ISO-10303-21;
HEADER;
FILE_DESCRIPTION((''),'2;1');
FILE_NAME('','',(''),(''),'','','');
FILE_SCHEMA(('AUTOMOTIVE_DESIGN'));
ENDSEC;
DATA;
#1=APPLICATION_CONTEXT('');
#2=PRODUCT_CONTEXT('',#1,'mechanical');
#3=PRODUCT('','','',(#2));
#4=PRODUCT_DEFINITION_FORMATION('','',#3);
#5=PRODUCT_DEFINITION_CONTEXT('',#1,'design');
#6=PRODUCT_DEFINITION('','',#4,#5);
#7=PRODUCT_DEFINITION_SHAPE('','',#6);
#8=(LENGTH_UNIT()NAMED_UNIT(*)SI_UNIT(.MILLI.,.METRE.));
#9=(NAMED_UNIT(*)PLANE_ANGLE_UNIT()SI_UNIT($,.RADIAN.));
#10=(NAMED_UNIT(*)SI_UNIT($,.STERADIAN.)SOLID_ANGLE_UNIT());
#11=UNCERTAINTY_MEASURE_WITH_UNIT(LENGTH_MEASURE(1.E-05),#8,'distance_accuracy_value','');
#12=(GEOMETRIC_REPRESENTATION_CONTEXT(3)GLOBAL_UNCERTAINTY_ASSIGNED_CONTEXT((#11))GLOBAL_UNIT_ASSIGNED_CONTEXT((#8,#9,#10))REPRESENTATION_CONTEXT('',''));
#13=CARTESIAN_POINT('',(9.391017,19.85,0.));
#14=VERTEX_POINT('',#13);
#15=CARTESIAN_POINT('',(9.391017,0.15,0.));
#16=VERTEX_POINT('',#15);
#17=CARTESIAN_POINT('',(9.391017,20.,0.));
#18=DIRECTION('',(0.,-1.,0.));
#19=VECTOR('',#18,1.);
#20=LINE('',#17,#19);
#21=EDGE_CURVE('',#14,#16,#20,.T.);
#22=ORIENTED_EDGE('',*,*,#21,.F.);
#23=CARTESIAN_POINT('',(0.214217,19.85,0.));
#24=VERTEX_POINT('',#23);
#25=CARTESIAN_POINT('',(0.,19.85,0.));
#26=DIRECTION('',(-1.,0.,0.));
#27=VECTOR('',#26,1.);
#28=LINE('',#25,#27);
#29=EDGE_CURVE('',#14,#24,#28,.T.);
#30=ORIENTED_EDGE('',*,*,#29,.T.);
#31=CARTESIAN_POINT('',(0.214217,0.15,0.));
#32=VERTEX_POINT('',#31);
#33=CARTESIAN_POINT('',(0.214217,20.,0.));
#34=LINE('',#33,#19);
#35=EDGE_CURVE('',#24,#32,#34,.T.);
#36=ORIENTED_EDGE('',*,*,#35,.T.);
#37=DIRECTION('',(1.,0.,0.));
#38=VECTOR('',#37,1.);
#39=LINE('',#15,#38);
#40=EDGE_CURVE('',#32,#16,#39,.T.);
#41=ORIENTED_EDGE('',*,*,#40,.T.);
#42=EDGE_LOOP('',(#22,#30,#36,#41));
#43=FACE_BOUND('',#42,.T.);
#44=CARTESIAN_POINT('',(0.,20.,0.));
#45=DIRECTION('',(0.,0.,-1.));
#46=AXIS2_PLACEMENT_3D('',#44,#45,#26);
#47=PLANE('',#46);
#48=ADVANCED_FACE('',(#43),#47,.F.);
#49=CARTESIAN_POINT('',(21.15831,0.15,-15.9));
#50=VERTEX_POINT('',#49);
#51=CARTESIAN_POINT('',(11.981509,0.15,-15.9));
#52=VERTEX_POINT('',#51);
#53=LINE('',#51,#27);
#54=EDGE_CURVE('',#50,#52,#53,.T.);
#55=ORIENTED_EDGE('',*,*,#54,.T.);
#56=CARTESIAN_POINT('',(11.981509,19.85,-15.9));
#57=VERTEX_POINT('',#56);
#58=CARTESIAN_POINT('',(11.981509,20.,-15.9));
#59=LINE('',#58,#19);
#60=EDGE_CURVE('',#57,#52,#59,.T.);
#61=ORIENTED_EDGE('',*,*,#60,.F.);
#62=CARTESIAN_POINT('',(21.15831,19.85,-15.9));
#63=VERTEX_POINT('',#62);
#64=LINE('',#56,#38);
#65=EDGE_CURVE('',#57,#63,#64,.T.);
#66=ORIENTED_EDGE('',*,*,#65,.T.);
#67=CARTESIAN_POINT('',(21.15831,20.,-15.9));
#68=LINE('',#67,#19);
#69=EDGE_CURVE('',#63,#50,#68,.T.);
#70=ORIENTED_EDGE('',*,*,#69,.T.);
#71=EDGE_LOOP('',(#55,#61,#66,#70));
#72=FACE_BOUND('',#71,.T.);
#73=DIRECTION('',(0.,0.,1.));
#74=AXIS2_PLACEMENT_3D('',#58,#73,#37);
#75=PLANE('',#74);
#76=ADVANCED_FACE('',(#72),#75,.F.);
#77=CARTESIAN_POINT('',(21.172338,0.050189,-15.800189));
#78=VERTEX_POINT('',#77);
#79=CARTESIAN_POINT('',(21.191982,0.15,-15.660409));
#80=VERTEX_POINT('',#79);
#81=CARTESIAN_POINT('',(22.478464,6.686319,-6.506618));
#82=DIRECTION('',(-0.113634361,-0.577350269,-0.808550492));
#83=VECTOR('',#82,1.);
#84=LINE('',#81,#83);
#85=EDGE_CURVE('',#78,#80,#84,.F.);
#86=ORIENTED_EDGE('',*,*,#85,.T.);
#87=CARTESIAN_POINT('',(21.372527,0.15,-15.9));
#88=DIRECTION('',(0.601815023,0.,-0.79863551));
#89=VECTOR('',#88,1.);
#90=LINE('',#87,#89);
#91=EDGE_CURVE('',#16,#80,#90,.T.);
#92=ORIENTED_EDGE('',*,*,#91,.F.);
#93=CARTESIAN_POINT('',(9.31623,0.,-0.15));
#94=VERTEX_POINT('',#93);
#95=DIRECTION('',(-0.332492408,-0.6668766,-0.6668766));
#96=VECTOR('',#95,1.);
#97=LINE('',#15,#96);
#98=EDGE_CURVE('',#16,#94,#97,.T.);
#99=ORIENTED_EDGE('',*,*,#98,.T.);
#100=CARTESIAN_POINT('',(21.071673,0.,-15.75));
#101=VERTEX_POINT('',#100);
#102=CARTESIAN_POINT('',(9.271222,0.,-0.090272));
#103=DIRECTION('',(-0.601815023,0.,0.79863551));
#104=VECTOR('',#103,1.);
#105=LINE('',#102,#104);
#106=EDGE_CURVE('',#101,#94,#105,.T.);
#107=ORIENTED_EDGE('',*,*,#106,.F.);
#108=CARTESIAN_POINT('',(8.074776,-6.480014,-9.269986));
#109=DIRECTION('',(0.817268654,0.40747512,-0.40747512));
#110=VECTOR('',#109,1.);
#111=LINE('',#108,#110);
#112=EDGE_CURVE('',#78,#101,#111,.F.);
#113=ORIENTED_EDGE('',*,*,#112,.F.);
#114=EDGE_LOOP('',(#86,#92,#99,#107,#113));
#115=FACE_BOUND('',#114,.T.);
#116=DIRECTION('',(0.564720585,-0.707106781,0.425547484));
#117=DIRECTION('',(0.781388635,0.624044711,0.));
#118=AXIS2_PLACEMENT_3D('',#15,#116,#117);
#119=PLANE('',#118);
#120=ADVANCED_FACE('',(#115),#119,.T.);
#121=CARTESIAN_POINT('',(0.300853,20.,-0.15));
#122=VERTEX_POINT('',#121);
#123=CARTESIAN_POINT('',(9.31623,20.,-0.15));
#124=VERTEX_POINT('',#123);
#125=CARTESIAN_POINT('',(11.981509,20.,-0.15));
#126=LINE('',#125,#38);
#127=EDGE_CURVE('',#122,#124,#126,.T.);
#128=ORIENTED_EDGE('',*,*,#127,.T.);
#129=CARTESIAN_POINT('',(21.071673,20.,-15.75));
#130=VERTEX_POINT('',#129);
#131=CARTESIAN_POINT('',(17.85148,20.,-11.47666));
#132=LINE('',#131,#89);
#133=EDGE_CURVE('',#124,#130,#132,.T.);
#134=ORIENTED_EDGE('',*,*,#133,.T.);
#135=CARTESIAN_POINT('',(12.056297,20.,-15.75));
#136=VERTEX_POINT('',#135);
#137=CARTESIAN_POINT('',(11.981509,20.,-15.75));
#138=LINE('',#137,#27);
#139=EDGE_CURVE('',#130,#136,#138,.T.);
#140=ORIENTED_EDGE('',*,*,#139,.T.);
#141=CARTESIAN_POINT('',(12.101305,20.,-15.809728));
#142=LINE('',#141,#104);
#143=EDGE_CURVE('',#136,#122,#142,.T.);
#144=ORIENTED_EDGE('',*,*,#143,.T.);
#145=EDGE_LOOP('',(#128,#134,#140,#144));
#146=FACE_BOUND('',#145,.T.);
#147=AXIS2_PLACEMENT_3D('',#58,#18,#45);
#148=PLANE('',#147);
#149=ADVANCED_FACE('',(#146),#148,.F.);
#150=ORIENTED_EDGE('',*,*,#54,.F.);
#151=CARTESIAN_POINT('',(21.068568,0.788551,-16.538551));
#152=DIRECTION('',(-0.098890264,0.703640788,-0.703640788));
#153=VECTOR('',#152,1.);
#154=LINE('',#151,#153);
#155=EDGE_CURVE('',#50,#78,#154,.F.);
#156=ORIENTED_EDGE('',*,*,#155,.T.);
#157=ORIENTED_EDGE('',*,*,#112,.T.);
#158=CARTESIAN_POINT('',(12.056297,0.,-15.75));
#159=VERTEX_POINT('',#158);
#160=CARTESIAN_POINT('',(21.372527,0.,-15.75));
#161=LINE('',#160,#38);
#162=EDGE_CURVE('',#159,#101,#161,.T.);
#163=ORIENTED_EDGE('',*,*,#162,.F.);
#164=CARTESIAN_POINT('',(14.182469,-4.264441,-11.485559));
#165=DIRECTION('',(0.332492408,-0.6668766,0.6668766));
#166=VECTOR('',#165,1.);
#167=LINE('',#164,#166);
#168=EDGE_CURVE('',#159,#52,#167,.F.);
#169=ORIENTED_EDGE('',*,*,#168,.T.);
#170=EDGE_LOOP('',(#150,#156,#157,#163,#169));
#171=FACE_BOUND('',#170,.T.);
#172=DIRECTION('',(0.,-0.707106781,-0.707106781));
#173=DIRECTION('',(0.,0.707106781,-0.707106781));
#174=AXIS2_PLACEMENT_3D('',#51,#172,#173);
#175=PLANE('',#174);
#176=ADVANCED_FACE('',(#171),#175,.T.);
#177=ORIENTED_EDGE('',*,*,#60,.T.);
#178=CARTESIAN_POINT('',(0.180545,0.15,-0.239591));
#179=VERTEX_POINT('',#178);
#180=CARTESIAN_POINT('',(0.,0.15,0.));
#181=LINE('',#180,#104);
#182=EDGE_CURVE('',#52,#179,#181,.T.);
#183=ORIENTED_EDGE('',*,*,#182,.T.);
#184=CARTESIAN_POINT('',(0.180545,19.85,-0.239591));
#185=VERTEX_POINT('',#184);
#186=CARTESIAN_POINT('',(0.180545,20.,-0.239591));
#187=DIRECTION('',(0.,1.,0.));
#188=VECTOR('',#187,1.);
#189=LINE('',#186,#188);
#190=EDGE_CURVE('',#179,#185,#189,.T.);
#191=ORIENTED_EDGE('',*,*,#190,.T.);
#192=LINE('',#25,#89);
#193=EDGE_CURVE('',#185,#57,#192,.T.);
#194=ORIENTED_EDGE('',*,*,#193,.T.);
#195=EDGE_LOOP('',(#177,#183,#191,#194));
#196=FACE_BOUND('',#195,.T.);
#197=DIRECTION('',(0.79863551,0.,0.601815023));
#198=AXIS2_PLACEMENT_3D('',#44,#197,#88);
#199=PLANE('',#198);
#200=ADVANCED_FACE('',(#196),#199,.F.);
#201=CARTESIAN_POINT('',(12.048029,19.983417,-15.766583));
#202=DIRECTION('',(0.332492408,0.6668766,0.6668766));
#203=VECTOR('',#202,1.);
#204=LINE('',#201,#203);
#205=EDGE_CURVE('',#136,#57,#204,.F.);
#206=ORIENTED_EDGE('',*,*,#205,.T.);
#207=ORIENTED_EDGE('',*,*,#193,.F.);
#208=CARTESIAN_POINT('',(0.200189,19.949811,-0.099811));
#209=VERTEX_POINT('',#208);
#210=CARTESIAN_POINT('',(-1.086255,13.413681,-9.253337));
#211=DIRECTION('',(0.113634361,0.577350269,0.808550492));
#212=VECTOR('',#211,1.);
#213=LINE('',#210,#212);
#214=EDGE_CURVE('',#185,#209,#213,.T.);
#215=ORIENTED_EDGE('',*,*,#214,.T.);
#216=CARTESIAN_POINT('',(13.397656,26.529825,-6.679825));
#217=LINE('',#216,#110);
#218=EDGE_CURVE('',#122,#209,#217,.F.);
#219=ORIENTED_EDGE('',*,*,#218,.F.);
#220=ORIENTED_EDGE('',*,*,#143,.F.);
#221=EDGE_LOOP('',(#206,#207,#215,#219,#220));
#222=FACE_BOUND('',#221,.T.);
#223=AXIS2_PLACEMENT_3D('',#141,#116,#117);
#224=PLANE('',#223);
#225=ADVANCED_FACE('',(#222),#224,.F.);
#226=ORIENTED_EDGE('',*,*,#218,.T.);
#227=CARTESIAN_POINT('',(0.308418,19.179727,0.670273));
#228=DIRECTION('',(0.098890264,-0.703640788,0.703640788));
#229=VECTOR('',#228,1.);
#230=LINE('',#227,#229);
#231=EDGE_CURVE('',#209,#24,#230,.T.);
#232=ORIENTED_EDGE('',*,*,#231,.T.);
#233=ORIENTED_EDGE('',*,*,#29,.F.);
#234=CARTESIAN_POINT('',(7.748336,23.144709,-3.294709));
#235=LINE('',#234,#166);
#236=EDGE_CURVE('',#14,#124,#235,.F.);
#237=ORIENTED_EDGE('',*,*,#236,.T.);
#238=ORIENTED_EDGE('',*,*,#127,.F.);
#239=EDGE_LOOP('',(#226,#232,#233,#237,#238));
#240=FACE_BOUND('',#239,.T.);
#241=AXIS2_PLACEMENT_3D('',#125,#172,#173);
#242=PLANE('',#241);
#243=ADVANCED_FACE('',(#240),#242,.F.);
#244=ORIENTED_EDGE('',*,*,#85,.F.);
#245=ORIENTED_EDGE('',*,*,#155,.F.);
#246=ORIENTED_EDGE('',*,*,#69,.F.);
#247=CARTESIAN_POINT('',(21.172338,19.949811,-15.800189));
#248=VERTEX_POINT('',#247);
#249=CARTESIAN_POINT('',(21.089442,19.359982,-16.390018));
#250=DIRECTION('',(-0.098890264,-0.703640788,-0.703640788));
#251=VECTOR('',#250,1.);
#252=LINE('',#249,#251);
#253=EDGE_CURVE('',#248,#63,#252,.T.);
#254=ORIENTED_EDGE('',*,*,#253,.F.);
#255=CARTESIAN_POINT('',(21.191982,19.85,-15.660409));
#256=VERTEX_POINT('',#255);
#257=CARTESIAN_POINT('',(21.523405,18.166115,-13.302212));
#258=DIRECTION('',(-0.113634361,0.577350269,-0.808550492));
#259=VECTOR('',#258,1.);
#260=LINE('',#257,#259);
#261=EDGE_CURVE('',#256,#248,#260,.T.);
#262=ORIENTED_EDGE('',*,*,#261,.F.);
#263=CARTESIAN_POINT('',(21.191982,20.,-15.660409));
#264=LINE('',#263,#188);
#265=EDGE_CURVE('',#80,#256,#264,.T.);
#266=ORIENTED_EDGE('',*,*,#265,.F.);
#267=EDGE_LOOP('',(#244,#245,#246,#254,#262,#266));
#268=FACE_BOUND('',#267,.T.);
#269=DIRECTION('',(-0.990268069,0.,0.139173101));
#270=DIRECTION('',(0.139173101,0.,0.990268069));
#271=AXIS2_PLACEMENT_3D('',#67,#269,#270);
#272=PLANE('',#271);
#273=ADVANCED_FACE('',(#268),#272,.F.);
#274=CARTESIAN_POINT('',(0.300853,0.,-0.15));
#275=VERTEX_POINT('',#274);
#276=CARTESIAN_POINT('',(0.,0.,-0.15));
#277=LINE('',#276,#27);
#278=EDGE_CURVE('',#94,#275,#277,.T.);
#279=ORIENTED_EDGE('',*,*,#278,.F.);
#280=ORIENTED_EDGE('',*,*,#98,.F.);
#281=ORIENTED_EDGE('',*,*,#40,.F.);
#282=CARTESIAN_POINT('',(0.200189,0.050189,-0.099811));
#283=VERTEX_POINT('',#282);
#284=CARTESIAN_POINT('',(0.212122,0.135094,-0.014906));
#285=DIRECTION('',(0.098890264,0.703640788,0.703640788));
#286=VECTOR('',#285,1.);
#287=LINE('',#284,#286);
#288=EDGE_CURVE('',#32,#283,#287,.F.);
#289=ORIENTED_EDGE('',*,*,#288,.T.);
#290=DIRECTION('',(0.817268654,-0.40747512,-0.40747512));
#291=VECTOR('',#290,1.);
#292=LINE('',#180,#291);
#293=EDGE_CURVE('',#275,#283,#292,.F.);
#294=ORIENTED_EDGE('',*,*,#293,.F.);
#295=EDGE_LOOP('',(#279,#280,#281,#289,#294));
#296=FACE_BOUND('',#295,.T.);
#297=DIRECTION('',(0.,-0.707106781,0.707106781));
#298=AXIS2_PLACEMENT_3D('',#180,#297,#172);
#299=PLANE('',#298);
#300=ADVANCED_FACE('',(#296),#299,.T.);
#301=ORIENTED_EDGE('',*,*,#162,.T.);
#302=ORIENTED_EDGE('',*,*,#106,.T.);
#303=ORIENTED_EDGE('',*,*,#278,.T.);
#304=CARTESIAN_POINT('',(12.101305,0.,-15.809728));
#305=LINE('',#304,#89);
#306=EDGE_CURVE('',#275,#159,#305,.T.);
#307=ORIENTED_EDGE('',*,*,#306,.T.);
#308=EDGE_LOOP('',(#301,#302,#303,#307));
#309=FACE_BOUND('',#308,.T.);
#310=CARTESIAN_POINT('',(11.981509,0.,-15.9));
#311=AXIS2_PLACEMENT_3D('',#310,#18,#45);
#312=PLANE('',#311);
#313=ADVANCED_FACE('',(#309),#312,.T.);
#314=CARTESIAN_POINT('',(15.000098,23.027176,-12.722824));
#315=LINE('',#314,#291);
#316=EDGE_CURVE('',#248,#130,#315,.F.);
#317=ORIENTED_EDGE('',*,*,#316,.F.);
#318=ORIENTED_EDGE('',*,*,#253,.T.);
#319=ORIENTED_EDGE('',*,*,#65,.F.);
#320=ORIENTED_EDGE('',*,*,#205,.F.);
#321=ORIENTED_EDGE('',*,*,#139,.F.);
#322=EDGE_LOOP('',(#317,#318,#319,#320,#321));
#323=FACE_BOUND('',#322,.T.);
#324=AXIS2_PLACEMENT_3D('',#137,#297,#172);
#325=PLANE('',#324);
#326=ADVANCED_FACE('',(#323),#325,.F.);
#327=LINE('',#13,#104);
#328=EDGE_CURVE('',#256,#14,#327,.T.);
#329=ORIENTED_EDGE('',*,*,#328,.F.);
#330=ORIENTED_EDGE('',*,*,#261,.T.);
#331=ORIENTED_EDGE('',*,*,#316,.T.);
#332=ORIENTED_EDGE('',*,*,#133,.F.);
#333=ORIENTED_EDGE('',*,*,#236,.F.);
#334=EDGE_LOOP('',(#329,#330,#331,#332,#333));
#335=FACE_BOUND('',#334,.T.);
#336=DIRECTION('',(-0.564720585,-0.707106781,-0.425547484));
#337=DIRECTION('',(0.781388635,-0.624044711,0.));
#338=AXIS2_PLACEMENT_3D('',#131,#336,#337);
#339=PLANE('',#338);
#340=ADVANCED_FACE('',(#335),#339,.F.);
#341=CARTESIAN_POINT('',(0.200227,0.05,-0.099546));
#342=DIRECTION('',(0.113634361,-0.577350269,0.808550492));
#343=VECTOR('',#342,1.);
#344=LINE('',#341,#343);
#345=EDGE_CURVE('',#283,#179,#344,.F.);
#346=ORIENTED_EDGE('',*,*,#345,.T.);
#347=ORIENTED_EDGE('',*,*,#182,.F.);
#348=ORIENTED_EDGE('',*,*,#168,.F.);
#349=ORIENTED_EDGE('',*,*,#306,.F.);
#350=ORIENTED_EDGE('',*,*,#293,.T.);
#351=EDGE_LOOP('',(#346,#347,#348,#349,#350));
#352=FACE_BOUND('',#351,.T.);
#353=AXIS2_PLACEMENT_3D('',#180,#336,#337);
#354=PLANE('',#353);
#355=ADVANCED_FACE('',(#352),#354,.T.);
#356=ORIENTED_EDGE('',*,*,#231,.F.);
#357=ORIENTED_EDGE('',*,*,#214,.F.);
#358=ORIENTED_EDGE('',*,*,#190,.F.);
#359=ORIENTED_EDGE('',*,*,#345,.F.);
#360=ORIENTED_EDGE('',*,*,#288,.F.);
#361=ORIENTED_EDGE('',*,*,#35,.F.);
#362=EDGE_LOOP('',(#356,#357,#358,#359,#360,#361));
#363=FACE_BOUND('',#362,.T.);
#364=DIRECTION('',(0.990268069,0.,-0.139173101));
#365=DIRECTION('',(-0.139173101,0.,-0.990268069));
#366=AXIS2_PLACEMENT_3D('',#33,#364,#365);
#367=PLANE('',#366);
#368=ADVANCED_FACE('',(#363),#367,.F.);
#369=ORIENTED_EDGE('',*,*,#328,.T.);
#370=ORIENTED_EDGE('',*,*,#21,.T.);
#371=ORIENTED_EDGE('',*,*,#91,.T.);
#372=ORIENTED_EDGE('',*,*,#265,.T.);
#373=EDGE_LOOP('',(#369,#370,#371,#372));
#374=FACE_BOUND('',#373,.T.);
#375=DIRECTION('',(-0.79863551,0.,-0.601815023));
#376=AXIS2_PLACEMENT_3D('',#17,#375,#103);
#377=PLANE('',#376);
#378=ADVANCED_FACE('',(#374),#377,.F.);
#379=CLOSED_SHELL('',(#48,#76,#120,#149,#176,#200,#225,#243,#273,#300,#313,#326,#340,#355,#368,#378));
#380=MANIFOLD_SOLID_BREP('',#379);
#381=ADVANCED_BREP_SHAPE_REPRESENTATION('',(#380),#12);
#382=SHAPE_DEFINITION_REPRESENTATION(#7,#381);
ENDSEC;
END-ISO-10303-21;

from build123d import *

# Parameters (mm, degrees)
EXTRUDE_1_DEPTH        = 20
CHAMFER_1_SIZE         = 0.15
CHAMFER_2_SIZE2        = 0.3
CHAMFER_2_SIZE         = 0.214216777
CHAMFER_2_EDGE_2_SIZE2 = 0.214216777
CHAMFER_2_EDGE_2_SIZE  = 0.3


with BuildPart() as part:
    # Эскиз1 → Вытянуть1 (new body)
    with BuildSketch(Plane(origin=(0, 0, 0), x_dir=(1, 0, 0), z_dir=(0, 1, 0))):
        Polygon((11.981509397, 15.9), (21.372526833, 15.9), (9.391017436, 0), (0, 0), align=None)
    extrude(amount=EXTRUDE_1_DEPTH)

    # Фаска1
    chamfer_1_edges = [part.edges().sort_by_distance(p)[0] for p in [
        (15.381772134, 20, -7.95),
        (16.677018115, 20, -15.9),
        (5.990754698, 20, -7.95),
        (16.677018115, 0, -15.9),
        (15.381772134, 0, -7.95),
        (4.695508718, 0, 0),
        (5.990754698, 0, -7.95),
        (4.695508718, 20, 0),
    ]]
    chamfer(chamfer_1_edges, length=CHAMFER_1_SIZE)

    # Фаска2
    chamfer_2_edges = [part.edges().sort_by_distance(p)[0] for p in [
        (21.372526833, 10, -15.9),
    ]]
    chamfer(chamfer_2_edges, length=CHAMFER_2_SIZE, length2=CHAMFER_2_SIZE2)

    # Фаска2 edge 2
    chamfer_2_edge_2_edges = [part.edges().sort_by_distance(p)[0] for p in [
        (0, 10, 0),
    ]]
    chamfer(chamfer_2_edge_2_edges, length=CHAMFER_2_EDGE_2_SIZE, length2=CHAMFER_2_EDGE_2_SIZE2)


solid = part.part
